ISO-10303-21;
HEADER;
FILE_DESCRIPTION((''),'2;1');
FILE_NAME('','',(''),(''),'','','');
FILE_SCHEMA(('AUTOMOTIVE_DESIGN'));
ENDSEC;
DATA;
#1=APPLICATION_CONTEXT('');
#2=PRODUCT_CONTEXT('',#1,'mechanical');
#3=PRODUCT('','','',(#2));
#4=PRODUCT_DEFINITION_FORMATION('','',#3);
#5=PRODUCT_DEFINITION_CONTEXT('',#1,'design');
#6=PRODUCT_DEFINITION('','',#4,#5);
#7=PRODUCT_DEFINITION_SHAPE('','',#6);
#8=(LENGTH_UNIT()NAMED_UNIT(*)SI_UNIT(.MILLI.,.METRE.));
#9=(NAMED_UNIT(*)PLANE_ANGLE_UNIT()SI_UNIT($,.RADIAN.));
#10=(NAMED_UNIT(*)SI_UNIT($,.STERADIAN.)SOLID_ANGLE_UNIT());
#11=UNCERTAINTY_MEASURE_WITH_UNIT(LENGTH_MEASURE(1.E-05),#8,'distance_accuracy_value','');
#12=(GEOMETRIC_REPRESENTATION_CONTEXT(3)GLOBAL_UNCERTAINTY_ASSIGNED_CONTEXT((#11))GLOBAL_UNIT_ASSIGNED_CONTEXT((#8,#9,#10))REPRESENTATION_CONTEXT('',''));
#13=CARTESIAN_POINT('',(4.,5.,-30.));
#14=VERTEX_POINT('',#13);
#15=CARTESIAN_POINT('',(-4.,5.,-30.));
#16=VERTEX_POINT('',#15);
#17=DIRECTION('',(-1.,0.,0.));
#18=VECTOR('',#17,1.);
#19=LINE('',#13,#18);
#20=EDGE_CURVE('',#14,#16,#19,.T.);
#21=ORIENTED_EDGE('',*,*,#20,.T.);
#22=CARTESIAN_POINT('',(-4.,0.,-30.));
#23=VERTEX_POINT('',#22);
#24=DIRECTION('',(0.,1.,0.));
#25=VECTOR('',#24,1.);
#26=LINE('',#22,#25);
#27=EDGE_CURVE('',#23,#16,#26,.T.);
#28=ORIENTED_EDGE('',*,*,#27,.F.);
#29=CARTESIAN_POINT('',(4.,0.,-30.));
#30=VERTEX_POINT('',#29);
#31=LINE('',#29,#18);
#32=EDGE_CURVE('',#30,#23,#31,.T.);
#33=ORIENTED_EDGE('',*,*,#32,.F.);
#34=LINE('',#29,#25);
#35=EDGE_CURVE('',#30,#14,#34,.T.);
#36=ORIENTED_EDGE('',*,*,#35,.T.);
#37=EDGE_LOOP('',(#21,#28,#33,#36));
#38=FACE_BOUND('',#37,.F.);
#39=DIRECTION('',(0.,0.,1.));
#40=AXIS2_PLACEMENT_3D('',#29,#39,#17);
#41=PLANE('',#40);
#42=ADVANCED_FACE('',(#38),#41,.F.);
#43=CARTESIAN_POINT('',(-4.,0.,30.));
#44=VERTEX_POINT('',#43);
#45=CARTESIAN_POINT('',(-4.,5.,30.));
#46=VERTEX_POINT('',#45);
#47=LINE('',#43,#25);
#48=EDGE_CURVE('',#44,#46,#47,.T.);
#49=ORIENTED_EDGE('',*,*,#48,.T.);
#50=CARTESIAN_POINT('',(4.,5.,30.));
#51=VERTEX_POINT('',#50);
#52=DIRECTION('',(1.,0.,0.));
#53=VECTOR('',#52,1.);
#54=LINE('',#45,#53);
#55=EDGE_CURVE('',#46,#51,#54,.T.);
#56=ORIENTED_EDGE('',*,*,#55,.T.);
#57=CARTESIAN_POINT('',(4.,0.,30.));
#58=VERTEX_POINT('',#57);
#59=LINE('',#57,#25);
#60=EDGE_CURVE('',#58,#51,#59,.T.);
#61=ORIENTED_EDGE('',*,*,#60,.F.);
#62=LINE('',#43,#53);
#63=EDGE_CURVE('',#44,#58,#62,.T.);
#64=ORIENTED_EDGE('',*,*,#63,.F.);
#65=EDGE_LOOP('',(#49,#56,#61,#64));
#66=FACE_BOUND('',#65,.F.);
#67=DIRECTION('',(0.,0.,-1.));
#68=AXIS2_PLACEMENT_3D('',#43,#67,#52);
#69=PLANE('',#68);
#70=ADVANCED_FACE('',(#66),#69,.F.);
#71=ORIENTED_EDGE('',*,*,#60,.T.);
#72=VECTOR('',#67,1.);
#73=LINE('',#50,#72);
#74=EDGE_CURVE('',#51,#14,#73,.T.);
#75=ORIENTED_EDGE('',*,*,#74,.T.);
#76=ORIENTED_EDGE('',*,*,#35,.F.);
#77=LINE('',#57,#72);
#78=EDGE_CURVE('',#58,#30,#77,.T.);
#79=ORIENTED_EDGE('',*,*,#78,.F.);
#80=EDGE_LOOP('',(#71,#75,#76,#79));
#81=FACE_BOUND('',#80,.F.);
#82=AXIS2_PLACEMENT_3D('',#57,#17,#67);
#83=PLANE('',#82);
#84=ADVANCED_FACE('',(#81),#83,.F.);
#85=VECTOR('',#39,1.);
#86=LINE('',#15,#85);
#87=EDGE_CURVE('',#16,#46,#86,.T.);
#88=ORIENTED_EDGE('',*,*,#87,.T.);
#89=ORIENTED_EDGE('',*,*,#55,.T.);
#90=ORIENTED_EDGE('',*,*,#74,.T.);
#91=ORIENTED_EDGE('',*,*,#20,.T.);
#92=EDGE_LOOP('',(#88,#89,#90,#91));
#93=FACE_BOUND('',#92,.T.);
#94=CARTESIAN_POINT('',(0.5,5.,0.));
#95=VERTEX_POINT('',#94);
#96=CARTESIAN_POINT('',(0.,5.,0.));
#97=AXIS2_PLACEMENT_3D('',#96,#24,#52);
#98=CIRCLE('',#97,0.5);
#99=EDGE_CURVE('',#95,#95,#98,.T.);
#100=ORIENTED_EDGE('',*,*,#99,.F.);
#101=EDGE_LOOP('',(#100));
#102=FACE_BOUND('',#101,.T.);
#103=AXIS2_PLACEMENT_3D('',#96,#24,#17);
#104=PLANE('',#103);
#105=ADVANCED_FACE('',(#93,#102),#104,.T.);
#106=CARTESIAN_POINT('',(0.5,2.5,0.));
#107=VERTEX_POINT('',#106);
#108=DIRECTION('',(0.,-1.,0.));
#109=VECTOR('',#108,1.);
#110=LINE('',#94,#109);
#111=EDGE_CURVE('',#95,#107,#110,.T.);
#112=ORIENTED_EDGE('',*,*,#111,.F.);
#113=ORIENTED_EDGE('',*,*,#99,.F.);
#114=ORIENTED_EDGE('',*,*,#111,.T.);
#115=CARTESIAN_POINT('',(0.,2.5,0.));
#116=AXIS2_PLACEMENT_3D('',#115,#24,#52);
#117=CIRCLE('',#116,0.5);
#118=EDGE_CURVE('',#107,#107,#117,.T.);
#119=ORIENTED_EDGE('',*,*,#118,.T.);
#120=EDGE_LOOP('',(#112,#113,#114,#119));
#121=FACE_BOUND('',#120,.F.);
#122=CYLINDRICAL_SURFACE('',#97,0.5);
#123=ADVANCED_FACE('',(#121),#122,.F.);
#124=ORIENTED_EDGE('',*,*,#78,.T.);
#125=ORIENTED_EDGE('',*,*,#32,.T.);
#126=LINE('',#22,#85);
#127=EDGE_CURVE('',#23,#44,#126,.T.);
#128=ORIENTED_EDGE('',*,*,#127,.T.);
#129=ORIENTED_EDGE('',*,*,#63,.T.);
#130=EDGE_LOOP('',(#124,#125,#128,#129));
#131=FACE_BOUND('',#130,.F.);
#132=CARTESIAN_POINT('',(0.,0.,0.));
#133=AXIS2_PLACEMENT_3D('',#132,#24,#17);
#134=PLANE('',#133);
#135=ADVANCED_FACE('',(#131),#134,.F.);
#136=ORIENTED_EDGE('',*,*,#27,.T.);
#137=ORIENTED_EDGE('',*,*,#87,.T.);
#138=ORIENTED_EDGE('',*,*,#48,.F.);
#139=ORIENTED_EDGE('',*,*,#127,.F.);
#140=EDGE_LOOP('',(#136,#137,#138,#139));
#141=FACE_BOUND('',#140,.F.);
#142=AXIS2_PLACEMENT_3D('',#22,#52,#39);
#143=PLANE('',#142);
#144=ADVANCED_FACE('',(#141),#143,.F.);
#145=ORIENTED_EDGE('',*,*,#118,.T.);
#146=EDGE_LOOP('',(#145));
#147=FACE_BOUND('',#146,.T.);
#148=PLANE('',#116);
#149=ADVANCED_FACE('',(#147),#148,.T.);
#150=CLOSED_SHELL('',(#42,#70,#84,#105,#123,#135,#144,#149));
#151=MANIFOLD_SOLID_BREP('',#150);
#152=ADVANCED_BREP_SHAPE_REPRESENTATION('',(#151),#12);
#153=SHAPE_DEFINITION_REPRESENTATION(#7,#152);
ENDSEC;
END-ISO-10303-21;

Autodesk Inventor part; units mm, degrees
ref_plane "YZ Plane" through (0, 0, 0) normal (1, 0, 0) x (0, 1, 0)
ref_plane "XZ Plane" through (0, 0, 0) normal (0, 1, 0) x (-1, 0, 0)
ref_plane "XY Plane" through (0, 0, 0) normal (0, 0, 1) x (1, 0, 0)
sketch "Szkic1" plane through (0, 0, 0) normal (0, 1, 0) x (-1, 0, 0)
  line L0 (4, 30) -> (-4, 30)
  line L1 (-4, 30) -> (-4, -30)
  line L2 (-4, -30) -> (4, -30)
  line L3 (4, -30) -> (4, 30)
  point P0 (0, 0)
  point P1 (4, 0)
  point P2 (0, -30)
  dimension "d0" = 8
  dimension "d1" = 60
extrude "Wyciągnięcie proste1" add sketch "Szkic1" along normal blind 5
sketch "Szkic2" plane through (0, 5, 0) normal (0, 1, 0) x (1, 0, 0)
  circle A0 centre (0, 0) radius 0.5
  dimension "d4" = 1
extrude "Wyciągnięcie proste2" cut sketch "Szkic2" against normal blind 2.5
properties part number "Smiglo"
